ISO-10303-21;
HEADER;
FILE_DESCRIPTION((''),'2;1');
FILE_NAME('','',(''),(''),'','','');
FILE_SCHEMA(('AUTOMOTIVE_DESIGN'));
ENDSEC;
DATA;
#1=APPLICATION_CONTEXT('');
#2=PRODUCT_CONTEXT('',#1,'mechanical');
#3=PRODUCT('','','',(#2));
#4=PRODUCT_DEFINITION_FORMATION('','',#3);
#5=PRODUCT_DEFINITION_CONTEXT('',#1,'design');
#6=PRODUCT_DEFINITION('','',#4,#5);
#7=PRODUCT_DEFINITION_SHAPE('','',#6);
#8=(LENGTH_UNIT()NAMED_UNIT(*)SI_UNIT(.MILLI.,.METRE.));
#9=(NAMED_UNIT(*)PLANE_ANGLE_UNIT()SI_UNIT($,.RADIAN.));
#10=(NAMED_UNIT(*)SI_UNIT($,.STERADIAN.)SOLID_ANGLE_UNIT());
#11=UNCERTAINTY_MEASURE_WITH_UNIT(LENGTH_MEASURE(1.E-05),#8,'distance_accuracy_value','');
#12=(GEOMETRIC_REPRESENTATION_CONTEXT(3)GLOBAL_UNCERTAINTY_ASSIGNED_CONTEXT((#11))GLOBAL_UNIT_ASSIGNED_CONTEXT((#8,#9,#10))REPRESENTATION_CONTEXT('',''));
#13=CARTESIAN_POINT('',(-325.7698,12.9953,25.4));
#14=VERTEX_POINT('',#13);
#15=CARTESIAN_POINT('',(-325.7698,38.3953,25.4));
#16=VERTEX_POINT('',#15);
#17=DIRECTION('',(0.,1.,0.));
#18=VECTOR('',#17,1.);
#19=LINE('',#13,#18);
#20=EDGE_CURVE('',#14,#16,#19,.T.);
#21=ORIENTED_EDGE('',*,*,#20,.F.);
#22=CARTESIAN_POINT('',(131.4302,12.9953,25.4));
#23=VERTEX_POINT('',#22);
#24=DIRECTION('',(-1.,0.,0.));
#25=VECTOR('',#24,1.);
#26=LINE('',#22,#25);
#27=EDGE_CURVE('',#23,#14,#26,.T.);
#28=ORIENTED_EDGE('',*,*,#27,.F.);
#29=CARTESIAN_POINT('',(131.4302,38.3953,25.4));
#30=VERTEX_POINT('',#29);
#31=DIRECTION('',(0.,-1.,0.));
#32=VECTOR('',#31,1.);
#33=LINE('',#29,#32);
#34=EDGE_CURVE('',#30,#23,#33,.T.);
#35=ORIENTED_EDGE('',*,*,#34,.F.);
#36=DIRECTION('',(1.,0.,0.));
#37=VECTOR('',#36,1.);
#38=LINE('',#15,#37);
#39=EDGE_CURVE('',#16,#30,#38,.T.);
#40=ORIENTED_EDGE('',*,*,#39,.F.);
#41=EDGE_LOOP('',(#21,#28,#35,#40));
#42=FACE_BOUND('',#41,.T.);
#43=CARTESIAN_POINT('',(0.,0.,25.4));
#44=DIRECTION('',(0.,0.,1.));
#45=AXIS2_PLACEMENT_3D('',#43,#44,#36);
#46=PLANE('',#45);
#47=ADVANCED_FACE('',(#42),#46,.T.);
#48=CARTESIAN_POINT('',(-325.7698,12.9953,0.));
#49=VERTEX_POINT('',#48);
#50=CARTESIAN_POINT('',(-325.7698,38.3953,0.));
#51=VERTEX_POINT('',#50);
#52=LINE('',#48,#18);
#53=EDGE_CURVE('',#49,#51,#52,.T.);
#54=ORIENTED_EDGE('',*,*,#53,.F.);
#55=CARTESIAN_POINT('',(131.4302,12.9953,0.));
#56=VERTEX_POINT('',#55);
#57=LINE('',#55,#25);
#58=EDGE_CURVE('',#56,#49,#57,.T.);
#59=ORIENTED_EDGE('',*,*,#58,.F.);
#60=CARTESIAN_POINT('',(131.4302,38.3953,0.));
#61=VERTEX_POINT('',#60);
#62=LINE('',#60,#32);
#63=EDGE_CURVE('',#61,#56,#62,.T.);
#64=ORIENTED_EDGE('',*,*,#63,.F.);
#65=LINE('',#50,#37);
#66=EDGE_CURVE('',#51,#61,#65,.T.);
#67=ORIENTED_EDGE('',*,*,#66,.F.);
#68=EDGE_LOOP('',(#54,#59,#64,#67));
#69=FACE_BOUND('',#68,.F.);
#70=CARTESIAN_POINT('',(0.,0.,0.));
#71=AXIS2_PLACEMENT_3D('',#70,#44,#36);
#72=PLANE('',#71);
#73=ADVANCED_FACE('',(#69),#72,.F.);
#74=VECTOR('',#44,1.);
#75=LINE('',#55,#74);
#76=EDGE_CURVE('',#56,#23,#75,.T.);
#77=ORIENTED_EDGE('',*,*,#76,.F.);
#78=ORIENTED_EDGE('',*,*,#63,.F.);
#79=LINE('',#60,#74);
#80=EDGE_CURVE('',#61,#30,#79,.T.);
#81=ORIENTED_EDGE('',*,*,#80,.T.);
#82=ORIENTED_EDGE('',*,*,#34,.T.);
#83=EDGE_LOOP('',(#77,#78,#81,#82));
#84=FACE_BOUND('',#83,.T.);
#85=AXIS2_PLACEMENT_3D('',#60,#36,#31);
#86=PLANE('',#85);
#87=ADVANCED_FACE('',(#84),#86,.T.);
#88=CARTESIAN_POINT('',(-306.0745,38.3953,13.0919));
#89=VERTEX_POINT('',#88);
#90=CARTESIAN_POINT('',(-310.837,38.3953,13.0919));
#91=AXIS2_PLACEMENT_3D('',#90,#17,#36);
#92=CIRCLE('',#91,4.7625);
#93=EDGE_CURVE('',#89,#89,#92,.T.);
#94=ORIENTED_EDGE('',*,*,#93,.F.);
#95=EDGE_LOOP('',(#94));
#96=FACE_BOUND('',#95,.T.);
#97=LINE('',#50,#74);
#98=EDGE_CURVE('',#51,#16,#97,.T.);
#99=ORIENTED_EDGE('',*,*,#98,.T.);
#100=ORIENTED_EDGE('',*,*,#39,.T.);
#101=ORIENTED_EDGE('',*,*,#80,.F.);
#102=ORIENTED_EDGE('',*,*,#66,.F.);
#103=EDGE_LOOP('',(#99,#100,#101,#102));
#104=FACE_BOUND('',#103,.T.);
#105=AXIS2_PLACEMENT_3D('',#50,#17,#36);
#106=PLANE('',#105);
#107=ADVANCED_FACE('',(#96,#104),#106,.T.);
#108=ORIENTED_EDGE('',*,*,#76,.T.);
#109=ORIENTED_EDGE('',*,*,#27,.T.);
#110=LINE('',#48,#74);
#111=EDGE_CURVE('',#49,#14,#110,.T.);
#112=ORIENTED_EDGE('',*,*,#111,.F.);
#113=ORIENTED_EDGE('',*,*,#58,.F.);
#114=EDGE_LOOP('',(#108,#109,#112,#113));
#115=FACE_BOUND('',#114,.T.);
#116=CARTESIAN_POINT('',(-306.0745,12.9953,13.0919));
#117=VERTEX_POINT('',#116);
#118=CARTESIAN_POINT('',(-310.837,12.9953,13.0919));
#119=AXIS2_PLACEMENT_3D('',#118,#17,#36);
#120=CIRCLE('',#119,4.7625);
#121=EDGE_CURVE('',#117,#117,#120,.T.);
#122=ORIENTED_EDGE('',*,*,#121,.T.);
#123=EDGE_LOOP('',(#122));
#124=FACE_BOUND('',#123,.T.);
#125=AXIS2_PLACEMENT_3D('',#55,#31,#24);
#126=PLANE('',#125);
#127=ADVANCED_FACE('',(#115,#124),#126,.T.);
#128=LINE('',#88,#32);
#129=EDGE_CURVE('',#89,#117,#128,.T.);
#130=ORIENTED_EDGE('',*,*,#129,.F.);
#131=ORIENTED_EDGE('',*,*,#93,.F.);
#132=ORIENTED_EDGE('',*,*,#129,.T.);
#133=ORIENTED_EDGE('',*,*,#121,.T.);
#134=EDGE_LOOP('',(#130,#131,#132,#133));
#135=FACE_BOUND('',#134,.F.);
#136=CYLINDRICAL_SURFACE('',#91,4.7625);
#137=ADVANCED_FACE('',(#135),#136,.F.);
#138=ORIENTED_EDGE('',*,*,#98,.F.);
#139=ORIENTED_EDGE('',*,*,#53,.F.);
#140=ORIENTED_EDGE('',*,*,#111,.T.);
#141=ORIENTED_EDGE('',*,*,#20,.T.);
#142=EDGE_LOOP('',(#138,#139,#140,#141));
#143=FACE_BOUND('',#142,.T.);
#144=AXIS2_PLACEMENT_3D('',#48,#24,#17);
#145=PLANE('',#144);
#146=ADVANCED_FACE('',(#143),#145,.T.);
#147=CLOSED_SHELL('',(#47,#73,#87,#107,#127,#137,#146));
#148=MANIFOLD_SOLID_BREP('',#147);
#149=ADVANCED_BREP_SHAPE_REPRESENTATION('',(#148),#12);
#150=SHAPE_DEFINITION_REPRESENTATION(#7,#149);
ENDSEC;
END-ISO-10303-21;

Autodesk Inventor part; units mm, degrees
ref_plane "YZ Plane" through (0, 0, 0) normal (1, 0, 0) x (0, 1, 0)
ref_plane "XZ Plane" through (0, 0, 0) normal (0, 1, 0) x (-1, 0, 0)
ref_plane "Work Plane1" through (0, 0, 0) normal (0, 0, 1) x (1, 0, 0)
sketch "Sketch1" plane through (0, 0, 0) normal (0, 0, 1) x (1, 0, 0)
  line L0 (-165.1, -139.7) -> (165.1, -139.7) projected
  line L1 (-165.1, -139.7) -> (165.1, -139.7) construction
  line L2 (-325.7698, 38.3953) -> (131.4302, 38.3953)
  line L3 (131.4302, 38.3953) -> (131.4302, 12.9953)
  line L4 (131.4302, 12.9953) -> (-325.7698, 12.9953)
  line L5 (-325.7698, 12.9953) -> (-325.7698, 38.3953)
  point P0 (0, 0)
  dimension "d0" = 25.4
  dimension "d1" = 457.2
extrude "Extrusion1" add sketch "Sketch1" along normal blind 25.4
sketch "Sketch2" plane through (-325.7698, 38.3953, 0) normal (0, 1, 0) x (1, 0, 0)
  circle A0 centre (14.9328, -13.0919) radius 4.7625
  point P0 (325.7698, 0)
  dimension "d4" = 9.525
extrude "Extrusion2" cut sketch "Sketch2" against normal through all
properties part number "Intake Arm"
